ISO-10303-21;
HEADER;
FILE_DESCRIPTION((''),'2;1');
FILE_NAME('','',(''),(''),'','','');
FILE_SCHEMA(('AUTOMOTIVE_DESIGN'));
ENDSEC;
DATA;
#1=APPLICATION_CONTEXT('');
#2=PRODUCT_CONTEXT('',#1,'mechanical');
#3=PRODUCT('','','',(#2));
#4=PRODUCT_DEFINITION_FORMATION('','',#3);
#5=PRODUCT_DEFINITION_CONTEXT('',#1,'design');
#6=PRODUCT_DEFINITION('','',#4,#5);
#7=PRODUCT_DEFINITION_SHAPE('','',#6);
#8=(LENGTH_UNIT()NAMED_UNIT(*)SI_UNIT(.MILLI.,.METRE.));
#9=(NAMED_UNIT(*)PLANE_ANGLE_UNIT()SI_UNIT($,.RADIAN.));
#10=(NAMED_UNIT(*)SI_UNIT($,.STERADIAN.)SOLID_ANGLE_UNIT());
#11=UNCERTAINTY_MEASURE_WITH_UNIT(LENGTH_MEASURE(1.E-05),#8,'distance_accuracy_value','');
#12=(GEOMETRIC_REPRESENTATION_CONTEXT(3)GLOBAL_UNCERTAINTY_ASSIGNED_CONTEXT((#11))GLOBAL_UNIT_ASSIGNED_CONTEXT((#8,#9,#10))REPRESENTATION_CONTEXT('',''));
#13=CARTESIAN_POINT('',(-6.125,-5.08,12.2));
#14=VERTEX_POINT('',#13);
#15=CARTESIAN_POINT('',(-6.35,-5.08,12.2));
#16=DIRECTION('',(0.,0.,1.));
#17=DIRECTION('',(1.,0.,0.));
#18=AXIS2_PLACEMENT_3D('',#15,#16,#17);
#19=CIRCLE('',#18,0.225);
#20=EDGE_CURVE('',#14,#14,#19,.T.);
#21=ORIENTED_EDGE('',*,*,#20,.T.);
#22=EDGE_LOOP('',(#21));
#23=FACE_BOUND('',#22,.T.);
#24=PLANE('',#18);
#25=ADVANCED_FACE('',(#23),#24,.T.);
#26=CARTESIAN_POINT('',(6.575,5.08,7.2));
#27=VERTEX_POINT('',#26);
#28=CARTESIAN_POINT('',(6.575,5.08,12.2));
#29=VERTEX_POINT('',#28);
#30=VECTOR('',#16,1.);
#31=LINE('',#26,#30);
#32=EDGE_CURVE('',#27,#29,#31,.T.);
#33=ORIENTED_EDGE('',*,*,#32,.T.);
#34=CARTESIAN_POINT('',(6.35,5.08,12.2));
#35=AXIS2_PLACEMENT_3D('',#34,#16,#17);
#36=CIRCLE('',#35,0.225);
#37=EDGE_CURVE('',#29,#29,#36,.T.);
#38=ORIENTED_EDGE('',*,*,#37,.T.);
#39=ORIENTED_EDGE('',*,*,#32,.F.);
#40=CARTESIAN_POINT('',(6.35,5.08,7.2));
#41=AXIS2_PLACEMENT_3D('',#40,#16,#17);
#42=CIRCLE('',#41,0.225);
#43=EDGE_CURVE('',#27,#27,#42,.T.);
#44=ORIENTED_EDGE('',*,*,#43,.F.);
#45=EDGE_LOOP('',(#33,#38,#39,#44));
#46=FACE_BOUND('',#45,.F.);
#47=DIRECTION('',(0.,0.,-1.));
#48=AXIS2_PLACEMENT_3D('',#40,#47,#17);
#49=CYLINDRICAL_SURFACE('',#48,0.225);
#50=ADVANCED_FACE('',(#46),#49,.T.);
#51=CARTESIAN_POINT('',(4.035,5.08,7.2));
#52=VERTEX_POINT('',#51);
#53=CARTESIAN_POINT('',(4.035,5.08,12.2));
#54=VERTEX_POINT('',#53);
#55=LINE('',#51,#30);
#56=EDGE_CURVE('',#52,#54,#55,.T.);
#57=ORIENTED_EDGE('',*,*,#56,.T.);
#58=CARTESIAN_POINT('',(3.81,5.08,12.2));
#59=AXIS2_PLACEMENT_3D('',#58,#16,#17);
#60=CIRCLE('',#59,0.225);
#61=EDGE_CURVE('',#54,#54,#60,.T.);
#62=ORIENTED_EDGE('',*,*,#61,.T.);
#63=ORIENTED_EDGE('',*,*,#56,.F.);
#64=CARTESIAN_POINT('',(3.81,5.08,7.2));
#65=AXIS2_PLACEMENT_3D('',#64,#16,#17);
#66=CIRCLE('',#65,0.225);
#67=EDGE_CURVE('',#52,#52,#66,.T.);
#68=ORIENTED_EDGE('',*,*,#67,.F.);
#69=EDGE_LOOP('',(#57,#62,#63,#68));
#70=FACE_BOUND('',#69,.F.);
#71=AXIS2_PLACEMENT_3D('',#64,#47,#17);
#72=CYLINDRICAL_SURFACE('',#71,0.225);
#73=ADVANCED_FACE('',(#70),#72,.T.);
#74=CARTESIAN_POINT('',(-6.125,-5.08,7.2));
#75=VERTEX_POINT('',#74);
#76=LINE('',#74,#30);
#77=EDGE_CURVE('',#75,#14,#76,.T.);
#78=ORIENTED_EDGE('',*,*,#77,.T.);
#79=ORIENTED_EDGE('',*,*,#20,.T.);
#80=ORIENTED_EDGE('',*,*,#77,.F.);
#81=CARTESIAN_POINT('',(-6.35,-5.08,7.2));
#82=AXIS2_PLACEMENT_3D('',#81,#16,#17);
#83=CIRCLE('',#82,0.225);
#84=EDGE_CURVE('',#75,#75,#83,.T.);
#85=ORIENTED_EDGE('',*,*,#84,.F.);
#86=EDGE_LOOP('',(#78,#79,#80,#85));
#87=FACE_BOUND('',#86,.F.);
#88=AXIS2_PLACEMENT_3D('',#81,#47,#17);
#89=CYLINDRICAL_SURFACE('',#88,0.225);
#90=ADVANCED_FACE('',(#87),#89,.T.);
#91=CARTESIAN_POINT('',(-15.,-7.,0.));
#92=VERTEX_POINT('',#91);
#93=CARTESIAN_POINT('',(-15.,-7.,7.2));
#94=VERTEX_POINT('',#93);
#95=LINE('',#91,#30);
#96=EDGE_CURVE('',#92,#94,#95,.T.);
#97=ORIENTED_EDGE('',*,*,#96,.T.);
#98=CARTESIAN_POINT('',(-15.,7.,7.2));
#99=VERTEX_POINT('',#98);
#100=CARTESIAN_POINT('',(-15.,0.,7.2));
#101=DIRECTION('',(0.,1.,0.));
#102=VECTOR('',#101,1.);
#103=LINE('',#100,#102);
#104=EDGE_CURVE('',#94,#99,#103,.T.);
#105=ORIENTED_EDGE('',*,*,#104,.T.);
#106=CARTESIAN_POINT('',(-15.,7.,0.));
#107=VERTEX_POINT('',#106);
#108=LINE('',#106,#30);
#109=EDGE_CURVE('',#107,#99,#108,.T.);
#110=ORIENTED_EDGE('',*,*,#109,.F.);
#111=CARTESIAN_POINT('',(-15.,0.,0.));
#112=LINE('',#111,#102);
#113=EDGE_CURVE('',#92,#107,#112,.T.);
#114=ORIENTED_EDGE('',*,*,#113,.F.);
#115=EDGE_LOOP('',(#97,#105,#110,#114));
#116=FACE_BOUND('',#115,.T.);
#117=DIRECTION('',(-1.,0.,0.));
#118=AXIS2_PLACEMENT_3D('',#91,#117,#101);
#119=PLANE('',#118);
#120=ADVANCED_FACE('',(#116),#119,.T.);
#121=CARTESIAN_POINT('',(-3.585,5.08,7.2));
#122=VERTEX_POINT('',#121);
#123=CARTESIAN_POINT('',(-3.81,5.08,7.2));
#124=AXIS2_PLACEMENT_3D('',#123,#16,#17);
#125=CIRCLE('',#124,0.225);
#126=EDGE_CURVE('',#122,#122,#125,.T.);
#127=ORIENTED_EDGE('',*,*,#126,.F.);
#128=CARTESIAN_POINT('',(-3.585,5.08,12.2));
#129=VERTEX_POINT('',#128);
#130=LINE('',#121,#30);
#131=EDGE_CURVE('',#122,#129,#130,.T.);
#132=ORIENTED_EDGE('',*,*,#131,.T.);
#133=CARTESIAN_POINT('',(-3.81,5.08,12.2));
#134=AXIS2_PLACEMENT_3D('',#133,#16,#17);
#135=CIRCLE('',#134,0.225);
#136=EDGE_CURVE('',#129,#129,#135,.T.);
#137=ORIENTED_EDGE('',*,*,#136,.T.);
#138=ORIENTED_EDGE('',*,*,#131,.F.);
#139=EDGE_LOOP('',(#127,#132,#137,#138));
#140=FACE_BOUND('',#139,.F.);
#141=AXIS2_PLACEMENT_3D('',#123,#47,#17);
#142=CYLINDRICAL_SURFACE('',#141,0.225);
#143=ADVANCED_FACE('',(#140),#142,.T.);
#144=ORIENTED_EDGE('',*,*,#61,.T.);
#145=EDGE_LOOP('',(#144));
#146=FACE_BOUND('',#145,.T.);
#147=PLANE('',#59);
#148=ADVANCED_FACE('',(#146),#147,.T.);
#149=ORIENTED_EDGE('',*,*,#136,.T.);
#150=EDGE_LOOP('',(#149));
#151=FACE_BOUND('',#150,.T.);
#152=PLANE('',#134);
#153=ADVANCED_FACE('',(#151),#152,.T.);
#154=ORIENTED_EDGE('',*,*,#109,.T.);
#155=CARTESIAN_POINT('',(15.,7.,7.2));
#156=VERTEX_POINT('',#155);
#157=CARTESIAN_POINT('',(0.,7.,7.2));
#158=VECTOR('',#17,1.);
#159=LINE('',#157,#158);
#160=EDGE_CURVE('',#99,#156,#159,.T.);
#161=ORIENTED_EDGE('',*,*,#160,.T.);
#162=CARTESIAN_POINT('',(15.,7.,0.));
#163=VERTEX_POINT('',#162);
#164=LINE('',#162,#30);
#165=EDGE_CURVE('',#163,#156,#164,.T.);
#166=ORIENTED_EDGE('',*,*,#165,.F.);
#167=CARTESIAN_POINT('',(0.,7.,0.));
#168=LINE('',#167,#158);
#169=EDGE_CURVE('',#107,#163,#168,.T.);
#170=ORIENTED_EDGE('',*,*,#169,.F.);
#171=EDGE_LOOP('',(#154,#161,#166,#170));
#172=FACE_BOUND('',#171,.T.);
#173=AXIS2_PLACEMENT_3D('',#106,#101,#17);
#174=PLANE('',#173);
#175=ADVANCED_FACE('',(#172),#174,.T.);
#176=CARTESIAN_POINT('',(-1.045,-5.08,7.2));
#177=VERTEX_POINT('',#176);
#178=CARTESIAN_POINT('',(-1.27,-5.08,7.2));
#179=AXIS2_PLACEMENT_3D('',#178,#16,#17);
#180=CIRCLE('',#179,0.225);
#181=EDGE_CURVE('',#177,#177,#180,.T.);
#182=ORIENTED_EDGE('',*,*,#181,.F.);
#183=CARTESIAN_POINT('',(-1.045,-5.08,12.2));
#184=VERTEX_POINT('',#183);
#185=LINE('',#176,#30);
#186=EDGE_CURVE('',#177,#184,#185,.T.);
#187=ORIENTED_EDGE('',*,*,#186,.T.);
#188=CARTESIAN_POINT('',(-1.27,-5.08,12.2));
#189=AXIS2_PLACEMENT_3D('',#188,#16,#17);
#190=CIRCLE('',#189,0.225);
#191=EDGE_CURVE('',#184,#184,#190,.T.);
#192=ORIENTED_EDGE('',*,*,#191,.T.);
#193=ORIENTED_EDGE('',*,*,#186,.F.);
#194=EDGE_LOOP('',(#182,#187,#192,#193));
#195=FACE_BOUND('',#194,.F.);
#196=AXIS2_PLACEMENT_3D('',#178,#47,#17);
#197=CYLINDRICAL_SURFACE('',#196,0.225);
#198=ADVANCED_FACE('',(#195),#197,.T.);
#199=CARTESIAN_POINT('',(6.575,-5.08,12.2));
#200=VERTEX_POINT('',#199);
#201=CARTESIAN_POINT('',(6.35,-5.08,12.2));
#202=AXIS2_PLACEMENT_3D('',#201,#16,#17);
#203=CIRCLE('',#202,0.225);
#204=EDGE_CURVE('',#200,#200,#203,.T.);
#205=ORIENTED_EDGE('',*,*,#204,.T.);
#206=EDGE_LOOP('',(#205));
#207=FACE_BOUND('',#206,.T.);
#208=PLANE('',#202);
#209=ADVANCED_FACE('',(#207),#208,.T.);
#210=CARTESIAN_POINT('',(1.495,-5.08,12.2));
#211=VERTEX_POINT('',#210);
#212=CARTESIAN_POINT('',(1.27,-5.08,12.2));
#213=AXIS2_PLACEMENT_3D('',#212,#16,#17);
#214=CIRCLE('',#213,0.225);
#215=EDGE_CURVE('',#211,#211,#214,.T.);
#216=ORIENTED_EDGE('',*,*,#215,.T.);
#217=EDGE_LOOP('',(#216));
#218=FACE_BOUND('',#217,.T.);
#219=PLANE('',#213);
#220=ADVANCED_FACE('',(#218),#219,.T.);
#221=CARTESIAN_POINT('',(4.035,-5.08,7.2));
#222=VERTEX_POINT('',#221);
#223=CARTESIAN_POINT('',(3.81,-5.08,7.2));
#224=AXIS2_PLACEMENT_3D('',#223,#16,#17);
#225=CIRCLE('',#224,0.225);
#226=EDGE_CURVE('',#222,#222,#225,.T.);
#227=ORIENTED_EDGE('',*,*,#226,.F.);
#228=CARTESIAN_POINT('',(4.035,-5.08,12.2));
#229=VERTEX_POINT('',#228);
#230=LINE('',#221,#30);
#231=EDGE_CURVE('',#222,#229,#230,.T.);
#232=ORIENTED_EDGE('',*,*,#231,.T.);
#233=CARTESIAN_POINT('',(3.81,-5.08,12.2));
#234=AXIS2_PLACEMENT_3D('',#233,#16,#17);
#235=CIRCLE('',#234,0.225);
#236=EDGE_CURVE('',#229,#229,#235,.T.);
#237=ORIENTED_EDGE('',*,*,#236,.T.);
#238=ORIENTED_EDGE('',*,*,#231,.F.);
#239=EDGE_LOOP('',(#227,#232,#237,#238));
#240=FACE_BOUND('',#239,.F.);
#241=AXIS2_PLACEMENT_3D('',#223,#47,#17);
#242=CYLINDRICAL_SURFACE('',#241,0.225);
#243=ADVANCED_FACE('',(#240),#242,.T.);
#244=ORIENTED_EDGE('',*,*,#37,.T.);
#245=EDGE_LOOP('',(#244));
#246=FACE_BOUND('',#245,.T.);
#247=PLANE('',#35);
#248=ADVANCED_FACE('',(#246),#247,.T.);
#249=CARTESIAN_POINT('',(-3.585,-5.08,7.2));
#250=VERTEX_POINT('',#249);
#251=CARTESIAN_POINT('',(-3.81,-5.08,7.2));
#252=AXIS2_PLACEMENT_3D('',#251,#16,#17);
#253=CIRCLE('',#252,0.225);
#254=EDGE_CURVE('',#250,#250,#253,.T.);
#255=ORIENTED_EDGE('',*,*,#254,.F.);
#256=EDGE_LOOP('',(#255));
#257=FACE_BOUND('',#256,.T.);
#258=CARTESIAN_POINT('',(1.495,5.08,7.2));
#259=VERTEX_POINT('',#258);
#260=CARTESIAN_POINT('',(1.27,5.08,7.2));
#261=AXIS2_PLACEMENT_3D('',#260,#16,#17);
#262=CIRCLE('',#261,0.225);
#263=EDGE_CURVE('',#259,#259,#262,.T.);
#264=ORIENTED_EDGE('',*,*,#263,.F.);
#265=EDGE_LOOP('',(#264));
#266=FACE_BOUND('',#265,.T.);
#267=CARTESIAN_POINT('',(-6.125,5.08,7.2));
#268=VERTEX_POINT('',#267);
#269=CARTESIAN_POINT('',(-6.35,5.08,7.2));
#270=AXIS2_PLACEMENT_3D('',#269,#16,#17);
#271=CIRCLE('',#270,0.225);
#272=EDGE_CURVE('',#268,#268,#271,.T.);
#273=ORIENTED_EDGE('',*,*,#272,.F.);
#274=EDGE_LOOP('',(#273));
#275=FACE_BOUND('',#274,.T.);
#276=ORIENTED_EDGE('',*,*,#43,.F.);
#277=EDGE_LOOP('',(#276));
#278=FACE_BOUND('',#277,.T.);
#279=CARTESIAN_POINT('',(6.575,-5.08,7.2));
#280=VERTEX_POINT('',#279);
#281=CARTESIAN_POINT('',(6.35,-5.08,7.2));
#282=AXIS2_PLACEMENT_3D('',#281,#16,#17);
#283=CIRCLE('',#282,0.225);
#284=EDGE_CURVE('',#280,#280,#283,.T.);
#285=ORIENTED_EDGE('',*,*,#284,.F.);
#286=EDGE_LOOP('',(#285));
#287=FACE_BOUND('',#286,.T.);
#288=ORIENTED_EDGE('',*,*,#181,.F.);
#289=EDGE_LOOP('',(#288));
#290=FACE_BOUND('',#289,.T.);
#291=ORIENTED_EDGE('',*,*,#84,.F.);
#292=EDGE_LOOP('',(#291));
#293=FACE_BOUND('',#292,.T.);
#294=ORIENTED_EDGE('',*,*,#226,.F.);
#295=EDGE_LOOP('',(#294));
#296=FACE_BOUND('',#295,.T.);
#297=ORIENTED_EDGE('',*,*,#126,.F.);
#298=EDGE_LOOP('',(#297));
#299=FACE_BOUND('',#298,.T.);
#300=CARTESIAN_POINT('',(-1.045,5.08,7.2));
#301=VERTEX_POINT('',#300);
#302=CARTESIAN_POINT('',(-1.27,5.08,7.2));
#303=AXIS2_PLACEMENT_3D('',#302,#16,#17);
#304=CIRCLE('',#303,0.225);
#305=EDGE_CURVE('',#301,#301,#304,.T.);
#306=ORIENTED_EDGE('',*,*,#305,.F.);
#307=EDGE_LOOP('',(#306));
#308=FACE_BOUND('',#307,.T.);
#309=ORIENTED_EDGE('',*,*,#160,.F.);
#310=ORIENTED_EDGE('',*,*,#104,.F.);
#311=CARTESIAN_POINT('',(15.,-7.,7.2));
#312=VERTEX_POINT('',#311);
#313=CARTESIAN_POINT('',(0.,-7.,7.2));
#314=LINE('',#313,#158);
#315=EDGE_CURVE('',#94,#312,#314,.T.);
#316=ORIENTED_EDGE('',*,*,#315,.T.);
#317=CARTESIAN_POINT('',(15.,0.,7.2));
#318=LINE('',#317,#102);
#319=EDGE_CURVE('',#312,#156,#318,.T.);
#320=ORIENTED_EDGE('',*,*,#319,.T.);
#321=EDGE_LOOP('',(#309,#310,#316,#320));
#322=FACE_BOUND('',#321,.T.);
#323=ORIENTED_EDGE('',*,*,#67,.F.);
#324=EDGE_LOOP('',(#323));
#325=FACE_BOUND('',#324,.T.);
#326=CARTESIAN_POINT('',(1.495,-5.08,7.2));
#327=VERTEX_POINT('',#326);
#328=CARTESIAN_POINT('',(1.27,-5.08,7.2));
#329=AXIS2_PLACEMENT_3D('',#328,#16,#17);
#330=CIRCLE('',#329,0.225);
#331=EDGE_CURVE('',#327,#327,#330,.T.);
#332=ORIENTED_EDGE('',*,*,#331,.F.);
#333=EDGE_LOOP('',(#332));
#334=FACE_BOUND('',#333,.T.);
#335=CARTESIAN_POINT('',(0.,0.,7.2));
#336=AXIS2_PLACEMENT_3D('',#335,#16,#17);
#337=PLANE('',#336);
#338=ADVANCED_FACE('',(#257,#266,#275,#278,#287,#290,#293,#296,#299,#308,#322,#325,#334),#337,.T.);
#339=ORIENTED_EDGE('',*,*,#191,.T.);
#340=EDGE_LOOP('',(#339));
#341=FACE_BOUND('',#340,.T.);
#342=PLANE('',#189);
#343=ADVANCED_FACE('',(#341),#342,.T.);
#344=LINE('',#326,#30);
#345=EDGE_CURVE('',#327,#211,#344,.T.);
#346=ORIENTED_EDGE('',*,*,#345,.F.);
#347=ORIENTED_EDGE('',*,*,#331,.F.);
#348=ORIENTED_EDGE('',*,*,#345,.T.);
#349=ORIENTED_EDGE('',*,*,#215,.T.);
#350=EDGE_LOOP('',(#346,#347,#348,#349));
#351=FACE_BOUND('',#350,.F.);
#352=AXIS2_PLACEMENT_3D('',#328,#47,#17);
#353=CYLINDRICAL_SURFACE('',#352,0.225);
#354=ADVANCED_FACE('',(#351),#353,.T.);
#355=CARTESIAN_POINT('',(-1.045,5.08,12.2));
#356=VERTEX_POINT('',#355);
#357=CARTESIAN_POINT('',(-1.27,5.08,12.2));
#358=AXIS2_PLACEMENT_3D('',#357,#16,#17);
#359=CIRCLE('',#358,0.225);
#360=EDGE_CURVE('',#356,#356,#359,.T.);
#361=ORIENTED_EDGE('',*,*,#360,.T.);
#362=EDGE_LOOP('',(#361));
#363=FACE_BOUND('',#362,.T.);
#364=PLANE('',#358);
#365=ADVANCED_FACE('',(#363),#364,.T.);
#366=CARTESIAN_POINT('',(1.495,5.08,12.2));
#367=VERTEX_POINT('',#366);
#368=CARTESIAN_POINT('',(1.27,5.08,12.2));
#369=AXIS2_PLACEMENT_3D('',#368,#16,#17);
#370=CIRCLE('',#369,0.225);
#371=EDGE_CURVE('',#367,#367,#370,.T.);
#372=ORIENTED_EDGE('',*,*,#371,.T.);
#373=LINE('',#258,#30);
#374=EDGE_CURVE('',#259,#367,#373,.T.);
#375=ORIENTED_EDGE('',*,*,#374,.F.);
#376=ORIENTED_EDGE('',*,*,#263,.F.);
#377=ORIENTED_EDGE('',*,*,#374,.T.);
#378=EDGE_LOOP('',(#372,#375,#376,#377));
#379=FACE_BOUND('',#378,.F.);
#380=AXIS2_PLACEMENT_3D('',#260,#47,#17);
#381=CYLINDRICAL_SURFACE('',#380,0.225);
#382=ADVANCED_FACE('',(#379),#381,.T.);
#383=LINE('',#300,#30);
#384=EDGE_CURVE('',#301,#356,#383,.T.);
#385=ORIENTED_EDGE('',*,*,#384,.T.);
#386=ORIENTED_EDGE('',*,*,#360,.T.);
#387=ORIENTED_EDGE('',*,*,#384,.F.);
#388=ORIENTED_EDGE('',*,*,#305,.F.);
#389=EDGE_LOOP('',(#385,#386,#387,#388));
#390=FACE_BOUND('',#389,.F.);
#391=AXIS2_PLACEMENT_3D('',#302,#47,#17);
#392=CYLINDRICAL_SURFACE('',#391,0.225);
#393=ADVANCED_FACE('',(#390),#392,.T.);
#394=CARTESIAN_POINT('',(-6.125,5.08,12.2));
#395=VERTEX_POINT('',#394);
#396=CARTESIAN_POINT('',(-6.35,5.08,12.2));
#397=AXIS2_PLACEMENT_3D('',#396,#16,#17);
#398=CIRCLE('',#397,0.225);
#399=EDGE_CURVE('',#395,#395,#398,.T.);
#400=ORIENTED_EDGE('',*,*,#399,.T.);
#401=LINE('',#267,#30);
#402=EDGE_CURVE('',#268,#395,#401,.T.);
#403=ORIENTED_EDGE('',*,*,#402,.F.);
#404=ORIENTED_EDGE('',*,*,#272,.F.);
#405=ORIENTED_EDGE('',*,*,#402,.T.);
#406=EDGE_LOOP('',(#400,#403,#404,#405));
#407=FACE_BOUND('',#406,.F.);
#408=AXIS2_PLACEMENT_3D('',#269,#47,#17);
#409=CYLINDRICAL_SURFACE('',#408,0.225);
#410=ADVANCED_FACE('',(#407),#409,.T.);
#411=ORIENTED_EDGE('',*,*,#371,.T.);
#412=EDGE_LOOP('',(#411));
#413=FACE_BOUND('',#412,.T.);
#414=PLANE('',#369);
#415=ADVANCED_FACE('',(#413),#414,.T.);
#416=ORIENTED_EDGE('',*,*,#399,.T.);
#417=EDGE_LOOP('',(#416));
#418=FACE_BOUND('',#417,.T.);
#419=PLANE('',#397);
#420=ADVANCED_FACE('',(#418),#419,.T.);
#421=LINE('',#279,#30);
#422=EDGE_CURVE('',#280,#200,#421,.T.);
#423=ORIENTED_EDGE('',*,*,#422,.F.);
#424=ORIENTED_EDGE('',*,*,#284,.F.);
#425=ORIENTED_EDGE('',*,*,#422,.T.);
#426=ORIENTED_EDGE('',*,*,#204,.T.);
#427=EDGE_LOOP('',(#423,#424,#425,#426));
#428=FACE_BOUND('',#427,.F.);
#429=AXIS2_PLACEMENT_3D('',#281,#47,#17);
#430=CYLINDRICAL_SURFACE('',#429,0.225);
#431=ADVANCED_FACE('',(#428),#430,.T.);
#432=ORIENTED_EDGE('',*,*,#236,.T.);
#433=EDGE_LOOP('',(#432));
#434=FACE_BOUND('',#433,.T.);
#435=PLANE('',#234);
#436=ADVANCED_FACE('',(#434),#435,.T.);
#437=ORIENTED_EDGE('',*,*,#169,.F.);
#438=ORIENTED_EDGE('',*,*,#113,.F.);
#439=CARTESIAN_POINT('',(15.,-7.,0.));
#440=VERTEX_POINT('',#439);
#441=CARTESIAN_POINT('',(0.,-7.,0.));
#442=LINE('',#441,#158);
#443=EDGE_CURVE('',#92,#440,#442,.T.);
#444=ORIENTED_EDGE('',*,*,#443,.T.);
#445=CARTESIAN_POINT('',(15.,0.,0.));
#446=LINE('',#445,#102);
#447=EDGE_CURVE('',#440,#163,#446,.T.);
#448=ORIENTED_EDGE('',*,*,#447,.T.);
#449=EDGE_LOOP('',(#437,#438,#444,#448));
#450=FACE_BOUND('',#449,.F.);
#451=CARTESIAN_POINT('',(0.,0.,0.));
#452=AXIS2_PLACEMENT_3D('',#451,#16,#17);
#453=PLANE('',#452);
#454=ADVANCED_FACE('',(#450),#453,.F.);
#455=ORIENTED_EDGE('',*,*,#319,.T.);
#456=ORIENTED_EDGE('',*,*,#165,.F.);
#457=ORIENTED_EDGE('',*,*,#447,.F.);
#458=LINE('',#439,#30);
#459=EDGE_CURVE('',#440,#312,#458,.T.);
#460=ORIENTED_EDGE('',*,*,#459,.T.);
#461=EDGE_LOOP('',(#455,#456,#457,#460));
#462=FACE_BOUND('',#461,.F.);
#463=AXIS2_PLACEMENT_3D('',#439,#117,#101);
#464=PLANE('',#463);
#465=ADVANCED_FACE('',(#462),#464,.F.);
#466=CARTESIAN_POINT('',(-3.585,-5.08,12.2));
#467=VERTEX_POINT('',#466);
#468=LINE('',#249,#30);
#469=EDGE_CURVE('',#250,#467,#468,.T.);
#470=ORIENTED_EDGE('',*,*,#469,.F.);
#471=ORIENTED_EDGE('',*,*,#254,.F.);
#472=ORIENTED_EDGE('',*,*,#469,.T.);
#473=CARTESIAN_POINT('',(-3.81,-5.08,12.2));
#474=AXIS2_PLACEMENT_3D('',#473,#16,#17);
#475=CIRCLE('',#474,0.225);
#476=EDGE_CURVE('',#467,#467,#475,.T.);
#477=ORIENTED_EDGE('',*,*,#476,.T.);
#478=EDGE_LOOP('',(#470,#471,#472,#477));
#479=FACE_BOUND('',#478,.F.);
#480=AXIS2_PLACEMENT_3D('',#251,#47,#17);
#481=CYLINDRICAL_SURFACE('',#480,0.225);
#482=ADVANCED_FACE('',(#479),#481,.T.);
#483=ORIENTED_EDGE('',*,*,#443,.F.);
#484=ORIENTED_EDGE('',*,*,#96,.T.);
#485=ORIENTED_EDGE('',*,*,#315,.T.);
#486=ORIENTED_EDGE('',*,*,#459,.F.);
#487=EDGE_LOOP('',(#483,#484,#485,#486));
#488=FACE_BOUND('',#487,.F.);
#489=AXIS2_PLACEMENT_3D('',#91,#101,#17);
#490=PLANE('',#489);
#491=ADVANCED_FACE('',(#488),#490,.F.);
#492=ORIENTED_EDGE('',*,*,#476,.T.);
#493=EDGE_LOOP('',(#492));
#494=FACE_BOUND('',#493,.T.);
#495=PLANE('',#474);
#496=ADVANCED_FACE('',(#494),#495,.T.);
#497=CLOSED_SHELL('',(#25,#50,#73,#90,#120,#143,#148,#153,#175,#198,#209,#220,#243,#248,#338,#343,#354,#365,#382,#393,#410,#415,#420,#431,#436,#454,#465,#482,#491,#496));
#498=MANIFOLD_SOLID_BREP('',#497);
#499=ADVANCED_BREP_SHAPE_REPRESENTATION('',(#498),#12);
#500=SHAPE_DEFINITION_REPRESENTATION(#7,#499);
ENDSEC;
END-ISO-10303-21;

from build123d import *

# Parameters (mm, degrees)
SKETCH001_W  = 30
SKETCH001_H  = 14
PAD_DEPTH    = 7.2
SKETCH002_R  = 0.225
PAD001_DEPTH = 5


with BuildPart() as part:
    # Sketch001 → Pad (new body)
    with BuildSketch(Plane.XY):
        Rectangle(SKETCH001_W, SKETCH001_H)
    extrude(amount=PAD_DEPTH)

    # Sketch002 (on Face6 of Pad) → Pad001 (join)
    with BuildSketch(Plane.XY.offset(7.2)):
        with Locations((-3.81, -5.08)):
            Circle(SKETCH002_R)
        with Locations((-6.35, -5.08)):
            Circle(SKETCH002_R)
        with Locations((-1.27, -5.08)):
            Circle(SKETCH002_R)
        with Locations((1.27, -5.08)):
            Circle(SKETCH002_R)
        with Locations((3.81, -5.08)):
            Circle(SKETCH002_R)
        with Locations((6.35, -5.08)):
            Circle(SKETCH002_R)
        with Locations((-3.81, 5.08)):
            Circle(SKETCH002_R)
        with Locations((-6.35, 5.08)):
            Circle(SKETCH002_R)
        with Locations((-1.27, 5.08)):
            Circle(SKETCH002_R)
        with Locations((1.27, 5.08)):
            Circle(SKETCH002_R)
        with Locations((3.81, 5.08)):
            Circle(SKETCH002_R)
        with Locations((6.35, 5.08)):
            Circle(SKETCH002_R)
    extrude(amount=PAD001_DEPTH)


solid = part.part
